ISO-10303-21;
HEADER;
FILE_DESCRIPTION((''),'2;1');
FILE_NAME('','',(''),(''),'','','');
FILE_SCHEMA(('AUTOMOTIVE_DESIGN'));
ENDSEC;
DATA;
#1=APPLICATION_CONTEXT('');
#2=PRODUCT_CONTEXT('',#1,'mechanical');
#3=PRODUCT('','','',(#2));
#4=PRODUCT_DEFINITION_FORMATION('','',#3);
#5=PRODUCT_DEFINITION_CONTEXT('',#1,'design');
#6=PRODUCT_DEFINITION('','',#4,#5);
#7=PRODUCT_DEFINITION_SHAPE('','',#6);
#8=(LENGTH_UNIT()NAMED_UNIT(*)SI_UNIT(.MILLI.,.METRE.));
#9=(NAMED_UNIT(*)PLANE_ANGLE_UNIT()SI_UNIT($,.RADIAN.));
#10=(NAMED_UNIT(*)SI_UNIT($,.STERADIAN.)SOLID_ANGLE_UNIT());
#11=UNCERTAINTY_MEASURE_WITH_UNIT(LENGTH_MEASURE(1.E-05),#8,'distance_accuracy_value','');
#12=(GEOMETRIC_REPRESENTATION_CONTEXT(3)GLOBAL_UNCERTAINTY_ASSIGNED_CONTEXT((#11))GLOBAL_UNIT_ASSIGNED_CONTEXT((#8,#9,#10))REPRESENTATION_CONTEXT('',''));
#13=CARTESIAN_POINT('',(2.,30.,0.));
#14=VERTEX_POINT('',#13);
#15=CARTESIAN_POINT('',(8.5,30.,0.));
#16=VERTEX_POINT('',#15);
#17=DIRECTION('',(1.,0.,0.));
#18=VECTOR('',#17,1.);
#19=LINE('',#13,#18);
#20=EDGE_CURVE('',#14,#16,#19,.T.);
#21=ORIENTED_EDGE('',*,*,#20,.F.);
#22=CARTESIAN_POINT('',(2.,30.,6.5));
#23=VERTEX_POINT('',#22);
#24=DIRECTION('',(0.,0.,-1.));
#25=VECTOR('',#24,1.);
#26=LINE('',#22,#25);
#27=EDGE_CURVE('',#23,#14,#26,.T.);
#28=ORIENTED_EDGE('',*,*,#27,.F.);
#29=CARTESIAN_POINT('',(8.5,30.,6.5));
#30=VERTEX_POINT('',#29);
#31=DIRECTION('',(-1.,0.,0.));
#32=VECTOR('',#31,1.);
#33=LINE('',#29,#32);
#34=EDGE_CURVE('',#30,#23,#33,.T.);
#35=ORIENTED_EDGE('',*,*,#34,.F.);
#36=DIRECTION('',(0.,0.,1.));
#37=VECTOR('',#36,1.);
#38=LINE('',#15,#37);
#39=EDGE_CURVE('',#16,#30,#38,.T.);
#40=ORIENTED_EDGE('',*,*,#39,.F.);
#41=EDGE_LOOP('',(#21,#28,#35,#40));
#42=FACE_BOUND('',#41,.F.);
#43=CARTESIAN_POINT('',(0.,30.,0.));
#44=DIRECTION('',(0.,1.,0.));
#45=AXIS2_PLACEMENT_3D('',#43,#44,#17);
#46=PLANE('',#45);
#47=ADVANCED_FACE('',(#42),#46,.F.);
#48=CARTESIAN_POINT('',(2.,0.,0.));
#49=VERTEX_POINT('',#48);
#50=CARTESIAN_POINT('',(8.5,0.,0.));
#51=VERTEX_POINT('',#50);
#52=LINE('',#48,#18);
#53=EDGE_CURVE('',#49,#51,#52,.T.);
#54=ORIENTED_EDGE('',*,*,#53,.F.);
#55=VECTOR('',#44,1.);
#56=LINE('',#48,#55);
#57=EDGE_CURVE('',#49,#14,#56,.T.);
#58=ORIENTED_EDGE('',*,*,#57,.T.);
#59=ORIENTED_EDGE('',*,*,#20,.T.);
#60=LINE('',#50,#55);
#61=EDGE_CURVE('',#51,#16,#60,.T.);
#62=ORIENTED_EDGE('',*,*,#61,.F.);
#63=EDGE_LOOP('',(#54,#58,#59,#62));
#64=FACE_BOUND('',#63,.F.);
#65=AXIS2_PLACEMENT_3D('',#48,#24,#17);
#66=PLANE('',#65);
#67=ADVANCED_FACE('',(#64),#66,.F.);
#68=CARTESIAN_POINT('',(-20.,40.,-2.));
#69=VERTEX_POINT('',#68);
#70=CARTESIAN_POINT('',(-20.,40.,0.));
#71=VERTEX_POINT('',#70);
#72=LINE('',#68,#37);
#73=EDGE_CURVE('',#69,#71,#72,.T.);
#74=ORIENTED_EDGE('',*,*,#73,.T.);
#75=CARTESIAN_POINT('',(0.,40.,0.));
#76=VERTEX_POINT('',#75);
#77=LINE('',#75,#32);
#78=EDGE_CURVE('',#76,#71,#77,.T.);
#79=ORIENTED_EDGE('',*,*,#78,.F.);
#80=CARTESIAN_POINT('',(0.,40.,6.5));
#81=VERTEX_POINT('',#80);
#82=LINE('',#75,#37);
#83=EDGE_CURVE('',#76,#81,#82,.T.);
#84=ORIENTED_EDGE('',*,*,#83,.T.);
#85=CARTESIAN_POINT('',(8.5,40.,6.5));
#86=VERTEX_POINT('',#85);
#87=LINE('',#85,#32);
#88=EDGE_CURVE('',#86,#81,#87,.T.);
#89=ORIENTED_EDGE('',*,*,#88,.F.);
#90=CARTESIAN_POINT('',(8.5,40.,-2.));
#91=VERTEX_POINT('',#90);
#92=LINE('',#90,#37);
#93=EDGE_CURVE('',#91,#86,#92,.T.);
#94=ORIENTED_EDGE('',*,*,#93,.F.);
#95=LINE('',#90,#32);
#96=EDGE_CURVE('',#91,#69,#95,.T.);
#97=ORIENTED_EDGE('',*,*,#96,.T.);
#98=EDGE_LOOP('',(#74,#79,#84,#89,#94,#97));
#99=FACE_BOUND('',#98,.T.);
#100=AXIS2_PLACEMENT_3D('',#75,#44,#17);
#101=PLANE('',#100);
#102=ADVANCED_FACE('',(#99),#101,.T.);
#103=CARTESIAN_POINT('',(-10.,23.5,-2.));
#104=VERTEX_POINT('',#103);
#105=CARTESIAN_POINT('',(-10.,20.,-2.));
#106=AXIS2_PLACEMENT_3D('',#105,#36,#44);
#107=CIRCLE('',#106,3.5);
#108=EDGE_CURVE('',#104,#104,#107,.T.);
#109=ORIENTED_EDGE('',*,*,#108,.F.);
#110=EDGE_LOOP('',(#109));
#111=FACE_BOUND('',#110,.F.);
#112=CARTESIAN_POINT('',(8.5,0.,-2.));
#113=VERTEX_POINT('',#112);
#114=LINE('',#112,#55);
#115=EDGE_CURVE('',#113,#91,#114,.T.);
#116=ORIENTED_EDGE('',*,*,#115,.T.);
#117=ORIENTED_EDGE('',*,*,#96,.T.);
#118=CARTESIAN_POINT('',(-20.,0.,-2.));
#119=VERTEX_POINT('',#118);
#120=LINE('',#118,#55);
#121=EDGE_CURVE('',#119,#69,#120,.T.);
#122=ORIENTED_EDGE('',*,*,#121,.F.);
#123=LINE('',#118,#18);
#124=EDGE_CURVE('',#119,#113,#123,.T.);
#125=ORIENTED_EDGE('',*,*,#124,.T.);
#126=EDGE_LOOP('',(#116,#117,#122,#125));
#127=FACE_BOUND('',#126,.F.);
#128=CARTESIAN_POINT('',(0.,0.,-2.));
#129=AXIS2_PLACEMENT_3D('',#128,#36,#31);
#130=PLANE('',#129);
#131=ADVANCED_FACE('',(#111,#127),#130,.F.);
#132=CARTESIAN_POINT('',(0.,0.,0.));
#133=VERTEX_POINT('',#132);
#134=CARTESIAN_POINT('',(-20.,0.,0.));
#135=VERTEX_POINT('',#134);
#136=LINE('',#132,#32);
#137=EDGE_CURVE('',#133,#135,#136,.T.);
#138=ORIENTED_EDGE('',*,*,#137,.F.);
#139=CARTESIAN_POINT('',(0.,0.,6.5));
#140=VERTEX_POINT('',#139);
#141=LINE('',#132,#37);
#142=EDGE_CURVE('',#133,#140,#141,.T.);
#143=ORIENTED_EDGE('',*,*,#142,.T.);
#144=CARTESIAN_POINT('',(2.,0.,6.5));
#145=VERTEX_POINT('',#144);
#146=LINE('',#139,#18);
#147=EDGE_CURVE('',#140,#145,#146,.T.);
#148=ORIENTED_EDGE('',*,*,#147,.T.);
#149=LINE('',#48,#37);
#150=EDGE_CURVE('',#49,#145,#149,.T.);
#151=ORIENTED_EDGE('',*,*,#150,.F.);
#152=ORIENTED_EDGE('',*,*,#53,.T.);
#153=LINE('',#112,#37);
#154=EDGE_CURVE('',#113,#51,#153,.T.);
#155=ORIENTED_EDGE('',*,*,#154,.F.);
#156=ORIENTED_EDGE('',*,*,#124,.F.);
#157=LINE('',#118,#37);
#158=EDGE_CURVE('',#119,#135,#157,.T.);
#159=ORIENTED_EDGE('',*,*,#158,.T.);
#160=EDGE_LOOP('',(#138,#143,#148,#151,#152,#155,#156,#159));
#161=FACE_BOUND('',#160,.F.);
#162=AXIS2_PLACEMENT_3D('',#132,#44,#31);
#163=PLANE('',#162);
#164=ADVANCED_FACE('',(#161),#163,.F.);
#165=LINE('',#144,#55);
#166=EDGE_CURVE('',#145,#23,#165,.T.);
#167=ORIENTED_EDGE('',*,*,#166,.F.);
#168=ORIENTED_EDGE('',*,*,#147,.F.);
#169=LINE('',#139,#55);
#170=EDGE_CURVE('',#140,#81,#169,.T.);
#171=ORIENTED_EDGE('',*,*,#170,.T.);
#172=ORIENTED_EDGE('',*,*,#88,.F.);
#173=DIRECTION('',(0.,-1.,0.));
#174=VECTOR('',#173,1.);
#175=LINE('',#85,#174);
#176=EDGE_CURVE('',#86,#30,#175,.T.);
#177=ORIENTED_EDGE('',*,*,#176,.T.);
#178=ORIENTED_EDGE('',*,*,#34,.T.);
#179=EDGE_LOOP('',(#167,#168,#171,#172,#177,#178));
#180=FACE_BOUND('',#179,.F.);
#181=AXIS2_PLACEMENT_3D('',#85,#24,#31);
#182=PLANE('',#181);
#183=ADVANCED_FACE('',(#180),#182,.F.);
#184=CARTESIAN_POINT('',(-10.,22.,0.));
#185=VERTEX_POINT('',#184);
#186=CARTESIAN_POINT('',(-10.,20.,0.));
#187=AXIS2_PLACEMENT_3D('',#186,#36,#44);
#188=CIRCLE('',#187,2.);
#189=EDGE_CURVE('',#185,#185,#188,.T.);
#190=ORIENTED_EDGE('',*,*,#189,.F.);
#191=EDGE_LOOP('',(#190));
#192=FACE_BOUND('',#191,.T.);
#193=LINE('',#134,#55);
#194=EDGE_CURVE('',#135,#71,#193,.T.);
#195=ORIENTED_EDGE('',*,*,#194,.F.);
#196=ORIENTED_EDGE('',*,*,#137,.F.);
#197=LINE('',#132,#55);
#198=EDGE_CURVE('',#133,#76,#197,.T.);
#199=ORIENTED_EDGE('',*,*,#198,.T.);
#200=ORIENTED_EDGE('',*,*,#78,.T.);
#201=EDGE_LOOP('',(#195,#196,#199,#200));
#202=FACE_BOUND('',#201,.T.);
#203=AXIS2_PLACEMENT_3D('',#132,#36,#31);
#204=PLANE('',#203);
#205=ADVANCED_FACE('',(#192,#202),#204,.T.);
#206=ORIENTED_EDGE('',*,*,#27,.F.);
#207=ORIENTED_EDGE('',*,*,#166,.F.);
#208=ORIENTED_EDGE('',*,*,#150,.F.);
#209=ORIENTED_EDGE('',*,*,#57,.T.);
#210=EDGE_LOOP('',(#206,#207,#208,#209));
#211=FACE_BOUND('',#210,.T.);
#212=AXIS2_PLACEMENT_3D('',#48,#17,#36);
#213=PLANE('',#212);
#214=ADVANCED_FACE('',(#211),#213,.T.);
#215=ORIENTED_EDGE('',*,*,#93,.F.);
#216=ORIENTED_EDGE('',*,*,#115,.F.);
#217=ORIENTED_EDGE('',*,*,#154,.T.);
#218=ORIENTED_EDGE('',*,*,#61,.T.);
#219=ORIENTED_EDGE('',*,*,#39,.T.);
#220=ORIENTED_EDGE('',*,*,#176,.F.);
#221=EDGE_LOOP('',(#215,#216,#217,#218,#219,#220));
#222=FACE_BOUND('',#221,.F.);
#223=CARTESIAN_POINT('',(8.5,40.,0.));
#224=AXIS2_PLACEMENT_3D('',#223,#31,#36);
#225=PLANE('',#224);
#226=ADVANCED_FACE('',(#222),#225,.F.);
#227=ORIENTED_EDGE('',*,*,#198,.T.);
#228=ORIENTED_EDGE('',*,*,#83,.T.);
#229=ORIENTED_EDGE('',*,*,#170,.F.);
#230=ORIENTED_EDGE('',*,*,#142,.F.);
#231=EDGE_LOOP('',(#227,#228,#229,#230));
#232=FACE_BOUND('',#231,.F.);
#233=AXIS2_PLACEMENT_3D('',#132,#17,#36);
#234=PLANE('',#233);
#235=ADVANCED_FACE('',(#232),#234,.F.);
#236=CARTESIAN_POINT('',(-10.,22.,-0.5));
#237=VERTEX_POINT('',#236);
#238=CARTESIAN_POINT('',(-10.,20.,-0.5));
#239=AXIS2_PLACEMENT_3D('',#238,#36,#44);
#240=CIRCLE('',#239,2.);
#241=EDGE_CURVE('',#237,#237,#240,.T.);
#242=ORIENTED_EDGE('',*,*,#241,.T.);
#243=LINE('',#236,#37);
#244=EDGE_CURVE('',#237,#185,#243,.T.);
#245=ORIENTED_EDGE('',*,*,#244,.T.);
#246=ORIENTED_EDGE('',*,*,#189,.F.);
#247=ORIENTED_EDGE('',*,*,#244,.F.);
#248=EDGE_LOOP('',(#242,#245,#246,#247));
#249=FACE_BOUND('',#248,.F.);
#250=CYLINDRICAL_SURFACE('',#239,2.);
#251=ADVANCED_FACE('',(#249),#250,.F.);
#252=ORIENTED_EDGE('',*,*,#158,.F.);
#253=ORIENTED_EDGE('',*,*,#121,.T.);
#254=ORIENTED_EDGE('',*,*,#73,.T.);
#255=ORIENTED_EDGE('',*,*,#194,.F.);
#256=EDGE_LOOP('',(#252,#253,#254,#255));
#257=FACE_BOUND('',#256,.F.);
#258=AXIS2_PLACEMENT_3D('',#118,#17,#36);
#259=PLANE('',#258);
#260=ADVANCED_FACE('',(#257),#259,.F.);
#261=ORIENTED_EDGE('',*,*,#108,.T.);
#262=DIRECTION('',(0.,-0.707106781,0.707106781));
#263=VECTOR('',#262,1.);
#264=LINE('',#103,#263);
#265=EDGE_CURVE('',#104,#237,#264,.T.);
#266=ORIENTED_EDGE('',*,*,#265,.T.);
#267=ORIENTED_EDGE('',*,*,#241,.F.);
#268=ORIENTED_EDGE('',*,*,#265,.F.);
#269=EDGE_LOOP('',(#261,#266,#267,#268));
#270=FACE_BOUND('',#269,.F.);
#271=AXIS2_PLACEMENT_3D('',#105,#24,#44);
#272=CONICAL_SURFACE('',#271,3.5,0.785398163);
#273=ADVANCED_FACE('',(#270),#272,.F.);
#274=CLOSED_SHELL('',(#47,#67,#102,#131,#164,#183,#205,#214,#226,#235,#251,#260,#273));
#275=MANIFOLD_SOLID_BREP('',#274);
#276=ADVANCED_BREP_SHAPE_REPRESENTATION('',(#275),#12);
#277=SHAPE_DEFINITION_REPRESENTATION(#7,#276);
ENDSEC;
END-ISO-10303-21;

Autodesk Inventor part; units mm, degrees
ref_plane "YZ Plane" through (0, 0, 0) normal (1, 0, 0) x (0, 1, 0)
ref_plane "XZ Plane" through (0, 0, 0) normal (0, 1, 0) x (-1, 0, 0)
ref_plane "XY Plane" through (0, 0, 0) normal (0, 0, 1) x (1, 0, 0)
sketch "Sketch1" plane through (0, 0, 0) normal (0, 1, 0) x (-1, 0, 0)
  line L0 (0, 0) -> (0, 6.5)
  line L1 (0, 0) -> (20, 0)
  line L2 (0, -2) -> (20, -2)
  line L3 (-2, 0) -> (-2, 6.5)
  line L4 (20, -2) -> (20, 0)
  line L5 (-2, 0) -> (-8.5, 0)
  line L6 (-8.5, -2) -> (0, -2)
  line L7 (0, 6.5) -> (-2, 6.5)
  line L8 (-8.5, -2) -> (-8.5, 0)
  dimension "d2" = 20
  dimension "d3" = 2
  dimension "d5" = 2
  dimension "d32" = 6.5
  dimension "d33" = 6.5
extrude "Extrusion1" add sketch "Sketch1" along normal blind 40
sketch "Sketch3" plane through (22, 0, -2) normal (0, 0, -1) x (-1, 0, 0)
  line L0 (42, 0) -> (42, 40) projected
  circle A0 centre (32, 20) radius 3.5
  circle A1 centre (32, 20) radius 2
  line L1 (32, 20) -> (42, 20)
  point P0 (22, 0)
  dimension "d15" = 7
  dimension "d18" = 4
  dimension "d36" = 10
hole "Hole1" at (-10, 20, -2) direction (0, 0, 1) diameter 4 end through all countersink diameter 7 countersink angle 90
sketch "Sketch4" plane through (0, 40, 0) normal (0, 1, 0) x (1, 0, 0)
  line L0 (8.5, 2) -> (-20, 2) projected
  line L1 (2, 0) -> (8.5, 0) projected
  line L2 (2, 0) -> (8.5, 0)
  line L3 (8.5, 0) -> (8.5, -6.5)
  line L4 (8.5, -6.5) -> (2, -6.5)
  line L5 (2, -6.5) -> (2, 0)
  point P0 (8.5, 0)
  dimension "d34" = 6.5
  dimension "d35" = 6.5
extrude "Extrusion4" add sketch "Sketch4" against normal blind 10
properties part number "3DPrintBracket2" material "PC/ABS Plastic"
